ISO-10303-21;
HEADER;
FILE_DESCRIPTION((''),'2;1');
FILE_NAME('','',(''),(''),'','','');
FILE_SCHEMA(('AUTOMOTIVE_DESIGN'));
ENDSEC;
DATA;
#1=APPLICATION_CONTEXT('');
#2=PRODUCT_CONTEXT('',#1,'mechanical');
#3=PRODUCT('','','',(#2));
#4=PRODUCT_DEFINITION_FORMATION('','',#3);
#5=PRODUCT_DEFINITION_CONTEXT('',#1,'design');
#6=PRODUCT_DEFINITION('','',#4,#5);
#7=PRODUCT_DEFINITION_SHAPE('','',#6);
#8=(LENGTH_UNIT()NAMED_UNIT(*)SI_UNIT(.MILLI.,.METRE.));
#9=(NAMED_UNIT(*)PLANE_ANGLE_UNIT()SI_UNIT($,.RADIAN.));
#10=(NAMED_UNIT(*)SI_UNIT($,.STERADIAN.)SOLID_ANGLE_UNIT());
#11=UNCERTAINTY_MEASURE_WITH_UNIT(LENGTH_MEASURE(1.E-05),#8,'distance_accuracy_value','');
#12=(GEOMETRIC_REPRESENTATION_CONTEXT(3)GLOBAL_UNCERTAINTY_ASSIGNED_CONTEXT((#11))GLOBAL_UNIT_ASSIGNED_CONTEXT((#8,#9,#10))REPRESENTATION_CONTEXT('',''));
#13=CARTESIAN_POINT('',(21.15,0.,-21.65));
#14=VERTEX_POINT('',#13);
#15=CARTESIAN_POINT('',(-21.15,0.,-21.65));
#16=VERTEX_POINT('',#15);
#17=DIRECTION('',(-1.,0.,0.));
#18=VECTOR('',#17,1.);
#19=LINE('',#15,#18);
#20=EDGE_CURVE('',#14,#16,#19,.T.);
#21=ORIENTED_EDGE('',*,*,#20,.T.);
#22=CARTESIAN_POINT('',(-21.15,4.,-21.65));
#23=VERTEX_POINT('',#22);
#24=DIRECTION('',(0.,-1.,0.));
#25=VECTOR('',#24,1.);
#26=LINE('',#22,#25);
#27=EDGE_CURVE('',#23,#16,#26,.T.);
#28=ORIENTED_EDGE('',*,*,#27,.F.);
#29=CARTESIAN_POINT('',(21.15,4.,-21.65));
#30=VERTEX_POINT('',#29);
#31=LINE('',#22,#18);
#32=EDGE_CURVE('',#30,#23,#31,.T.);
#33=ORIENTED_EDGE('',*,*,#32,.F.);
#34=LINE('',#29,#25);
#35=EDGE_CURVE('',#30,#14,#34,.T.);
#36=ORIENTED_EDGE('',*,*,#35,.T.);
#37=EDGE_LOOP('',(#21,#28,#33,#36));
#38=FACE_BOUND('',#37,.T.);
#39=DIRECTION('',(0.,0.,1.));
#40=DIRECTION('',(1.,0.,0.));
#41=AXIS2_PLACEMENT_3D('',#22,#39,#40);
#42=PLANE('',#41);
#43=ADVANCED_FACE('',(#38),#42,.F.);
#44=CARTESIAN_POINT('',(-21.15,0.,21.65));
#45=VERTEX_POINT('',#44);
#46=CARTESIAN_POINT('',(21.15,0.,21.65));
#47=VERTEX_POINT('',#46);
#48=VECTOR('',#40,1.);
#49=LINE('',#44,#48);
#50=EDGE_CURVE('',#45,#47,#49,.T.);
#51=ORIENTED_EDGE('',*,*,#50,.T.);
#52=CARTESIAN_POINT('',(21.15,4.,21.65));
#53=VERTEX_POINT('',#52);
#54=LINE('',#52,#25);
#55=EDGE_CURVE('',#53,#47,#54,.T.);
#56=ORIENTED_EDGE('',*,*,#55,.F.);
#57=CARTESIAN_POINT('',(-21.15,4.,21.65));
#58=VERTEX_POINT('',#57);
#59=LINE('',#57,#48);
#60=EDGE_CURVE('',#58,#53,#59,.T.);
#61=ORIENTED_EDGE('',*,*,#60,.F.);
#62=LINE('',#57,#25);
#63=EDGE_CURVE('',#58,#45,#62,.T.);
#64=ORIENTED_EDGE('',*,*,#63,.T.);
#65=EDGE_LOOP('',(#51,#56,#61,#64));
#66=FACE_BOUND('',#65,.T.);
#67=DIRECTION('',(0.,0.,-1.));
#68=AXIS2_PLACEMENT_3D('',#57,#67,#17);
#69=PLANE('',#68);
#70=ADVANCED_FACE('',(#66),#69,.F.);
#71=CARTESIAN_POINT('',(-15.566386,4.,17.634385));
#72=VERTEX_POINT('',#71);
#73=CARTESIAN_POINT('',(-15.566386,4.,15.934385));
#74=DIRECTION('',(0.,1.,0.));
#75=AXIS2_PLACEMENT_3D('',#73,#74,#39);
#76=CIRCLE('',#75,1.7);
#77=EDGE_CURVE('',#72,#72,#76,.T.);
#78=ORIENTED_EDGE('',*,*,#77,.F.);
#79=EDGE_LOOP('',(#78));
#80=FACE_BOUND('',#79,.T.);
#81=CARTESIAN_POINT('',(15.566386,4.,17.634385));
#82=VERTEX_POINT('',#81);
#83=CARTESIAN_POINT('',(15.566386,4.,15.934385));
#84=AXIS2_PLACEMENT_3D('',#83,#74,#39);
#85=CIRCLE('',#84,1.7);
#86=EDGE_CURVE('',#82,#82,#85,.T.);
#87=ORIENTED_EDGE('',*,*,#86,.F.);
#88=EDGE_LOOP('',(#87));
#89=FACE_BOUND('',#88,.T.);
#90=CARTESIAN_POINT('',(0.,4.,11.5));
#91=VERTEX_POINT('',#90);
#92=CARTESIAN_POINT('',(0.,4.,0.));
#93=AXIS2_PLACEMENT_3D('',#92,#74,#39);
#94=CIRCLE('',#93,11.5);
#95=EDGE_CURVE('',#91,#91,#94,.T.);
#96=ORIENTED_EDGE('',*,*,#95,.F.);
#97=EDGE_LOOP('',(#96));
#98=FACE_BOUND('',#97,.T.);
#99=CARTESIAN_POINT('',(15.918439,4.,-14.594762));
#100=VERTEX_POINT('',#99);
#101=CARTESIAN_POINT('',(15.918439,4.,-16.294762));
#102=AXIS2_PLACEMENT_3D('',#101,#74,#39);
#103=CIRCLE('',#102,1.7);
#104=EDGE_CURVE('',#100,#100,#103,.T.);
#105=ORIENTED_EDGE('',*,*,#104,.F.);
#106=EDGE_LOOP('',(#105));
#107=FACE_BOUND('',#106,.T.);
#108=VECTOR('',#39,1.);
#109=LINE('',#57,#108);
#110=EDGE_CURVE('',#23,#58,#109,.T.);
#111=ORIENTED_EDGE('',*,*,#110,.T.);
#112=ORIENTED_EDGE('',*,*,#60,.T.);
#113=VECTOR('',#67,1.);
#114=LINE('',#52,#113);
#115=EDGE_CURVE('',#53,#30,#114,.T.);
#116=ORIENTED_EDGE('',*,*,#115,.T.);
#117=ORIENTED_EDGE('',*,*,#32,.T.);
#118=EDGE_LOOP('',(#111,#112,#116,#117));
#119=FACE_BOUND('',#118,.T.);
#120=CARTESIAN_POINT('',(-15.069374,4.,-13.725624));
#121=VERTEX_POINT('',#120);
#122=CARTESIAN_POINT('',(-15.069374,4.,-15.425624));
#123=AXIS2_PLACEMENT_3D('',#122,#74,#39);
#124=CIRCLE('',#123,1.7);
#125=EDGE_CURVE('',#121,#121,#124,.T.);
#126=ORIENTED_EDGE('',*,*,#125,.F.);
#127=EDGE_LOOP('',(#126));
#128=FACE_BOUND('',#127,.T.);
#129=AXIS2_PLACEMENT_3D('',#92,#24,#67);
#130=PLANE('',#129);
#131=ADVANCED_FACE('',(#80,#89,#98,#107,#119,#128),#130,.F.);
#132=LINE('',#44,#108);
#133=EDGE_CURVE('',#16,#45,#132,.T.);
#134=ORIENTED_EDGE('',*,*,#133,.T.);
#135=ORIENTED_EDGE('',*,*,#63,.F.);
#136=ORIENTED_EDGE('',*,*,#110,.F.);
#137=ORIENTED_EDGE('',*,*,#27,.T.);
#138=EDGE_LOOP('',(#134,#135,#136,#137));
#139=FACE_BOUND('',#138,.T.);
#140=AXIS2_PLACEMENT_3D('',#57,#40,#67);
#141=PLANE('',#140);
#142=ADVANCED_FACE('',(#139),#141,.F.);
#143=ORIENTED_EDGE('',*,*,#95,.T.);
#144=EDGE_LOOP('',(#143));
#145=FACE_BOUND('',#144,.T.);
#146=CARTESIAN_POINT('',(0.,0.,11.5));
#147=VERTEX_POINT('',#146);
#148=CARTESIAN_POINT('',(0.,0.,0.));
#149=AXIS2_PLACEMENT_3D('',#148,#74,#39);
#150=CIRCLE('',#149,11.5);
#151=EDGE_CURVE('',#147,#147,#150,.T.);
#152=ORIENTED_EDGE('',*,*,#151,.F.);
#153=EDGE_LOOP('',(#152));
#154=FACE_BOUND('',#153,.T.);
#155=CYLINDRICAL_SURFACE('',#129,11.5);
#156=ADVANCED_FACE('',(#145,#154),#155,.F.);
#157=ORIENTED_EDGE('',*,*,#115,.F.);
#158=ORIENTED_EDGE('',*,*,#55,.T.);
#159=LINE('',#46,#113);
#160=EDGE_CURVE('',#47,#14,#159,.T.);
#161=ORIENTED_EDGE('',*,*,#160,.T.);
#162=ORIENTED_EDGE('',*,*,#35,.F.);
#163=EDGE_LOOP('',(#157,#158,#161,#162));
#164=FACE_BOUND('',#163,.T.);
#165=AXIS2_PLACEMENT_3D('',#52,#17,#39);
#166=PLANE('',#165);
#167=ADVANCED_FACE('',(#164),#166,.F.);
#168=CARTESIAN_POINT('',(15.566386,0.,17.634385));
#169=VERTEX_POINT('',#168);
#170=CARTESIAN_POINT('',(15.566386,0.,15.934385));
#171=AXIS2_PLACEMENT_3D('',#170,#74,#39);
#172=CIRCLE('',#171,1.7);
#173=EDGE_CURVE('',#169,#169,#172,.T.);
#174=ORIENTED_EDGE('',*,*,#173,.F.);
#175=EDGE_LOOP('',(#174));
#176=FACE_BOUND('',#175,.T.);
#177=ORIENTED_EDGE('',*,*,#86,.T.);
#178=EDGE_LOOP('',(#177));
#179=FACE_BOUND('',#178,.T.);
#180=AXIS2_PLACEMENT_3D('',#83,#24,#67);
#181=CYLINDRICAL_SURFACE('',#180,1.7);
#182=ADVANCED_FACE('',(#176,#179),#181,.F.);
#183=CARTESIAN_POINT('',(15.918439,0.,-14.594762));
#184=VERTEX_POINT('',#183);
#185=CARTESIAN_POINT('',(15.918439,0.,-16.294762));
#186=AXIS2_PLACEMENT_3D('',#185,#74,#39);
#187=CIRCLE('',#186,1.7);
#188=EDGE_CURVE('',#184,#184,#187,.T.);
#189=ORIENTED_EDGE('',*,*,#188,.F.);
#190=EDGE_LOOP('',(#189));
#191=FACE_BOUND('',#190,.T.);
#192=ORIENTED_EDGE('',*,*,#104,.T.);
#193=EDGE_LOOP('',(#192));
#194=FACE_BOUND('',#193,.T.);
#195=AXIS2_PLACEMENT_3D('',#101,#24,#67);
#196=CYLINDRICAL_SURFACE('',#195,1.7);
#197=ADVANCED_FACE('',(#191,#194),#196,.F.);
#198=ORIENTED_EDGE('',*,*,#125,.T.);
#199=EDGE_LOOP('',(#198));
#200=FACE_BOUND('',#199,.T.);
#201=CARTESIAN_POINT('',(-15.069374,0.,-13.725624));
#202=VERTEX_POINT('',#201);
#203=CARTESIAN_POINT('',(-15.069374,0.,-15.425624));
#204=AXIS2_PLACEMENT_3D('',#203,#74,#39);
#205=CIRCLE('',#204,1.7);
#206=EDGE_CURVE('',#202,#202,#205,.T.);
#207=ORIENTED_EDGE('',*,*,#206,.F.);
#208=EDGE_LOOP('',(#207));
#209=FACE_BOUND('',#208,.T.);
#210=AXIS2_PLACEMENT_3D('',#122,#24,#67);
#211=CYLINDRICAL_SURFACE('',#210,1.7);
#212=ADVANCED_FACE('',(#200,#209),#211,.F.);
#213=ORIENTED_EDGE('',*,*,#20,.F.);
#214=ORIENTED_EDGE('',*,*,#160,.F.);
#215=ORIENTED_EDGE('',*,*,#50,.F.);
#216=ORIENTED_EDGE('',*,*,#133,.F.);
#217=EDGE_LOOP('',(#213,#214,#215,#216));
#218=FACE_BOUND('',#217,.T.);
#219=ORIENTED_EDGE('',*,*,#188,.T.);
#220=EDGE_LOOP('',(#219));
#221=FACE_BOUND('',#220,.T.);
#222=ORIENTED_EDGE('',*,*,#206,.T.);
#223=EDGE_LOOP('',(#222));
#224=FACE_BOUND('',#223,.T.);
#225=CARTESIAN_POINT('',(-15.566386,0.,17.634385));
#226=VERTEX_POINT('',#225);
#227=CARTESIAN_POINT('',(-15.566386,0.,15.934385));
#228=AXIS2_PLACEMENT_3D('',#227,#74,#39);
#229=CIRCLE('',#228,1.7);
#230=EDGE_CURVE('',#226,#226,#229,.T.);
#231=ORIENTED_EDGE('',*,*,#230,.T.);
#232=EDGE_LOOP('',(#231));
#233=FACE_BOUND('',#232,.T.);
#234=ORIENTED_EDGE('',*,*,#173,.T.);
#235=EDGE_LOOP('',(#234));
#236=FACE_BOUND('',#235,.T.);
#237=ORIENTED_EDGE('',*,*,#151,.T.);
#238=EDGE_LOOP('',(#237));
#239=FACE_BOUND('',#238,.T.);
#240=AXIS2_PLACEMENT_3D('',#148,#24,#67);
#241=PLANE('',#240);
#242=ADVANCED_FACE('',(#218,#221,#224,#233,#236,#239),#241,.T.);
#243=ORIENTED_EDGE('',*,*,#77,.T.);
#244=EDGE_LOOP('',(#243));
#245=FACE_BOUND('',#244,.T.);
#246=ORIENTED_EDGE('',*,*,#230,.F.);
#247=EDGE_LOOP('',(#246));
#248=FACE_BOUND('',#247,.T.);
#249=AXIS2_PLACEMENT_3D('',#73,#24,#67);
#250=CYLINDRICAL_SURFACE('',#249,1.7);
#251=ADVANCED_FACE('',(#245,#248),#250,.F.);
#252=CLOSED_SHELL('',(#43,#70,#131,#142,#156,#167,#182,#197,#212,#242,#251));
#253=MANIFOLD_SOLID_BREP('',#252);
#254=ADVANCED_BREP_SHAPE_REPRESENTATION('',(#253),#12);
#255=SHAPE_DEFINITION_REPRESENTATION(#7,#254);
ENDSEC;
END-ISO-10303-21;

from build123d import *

# Parameters (mm, degrees)
SKETCH2_W           = 42.3
SKETCH2_H           = 43.3
SKETCH2_R           = 1.7
SKETCH2_R_2         = 11.5
BOSS_EXTRUDE1_DEPTH = 4


with BuildPart() as part:
    # Sketch2 → Boss-Extrude1 (new body)
    with BuildSketch(Plane(origin=(0, 0, 0), x_dir=(1, 0, 0), z_dir=(0, 1, 0))):
        Rectangle(SKETCH2_W, SKETCH2_H)
        with Locations(Location((-15.069374363, 15.425624348, 0), (0, 0, 270))):
            Circle(SKETCH2_R, mode=Mode.SUBTRACT)
        with Locations(Location((15.918439372, 16.294761816, 0), (0, 0, 270))):
            Circle(SKETCH2_R, mode=Mode.SUBTRACT)
        with Locations(Location((15.566385671, -15.934385332, 0), (0, 0, 270))):
            Circle(SKETCH2_R, mode=Mode.SUBTRACT)
        with Locations(Location((-15.566385671, -15.934385332, 0), (0, 0, 270))):
            Circle(SKETCH2_R, mode=Mode.SUBTRACT)
        with Locations(Location((0, 0, 0), (0, 0, 270))):
            Circle(SKETCH2_R_2, mode=Mode.SUBTRACT)
    extrude(amount=BOSS_EXTRUDE1_DEPTH)


solid = part.part
